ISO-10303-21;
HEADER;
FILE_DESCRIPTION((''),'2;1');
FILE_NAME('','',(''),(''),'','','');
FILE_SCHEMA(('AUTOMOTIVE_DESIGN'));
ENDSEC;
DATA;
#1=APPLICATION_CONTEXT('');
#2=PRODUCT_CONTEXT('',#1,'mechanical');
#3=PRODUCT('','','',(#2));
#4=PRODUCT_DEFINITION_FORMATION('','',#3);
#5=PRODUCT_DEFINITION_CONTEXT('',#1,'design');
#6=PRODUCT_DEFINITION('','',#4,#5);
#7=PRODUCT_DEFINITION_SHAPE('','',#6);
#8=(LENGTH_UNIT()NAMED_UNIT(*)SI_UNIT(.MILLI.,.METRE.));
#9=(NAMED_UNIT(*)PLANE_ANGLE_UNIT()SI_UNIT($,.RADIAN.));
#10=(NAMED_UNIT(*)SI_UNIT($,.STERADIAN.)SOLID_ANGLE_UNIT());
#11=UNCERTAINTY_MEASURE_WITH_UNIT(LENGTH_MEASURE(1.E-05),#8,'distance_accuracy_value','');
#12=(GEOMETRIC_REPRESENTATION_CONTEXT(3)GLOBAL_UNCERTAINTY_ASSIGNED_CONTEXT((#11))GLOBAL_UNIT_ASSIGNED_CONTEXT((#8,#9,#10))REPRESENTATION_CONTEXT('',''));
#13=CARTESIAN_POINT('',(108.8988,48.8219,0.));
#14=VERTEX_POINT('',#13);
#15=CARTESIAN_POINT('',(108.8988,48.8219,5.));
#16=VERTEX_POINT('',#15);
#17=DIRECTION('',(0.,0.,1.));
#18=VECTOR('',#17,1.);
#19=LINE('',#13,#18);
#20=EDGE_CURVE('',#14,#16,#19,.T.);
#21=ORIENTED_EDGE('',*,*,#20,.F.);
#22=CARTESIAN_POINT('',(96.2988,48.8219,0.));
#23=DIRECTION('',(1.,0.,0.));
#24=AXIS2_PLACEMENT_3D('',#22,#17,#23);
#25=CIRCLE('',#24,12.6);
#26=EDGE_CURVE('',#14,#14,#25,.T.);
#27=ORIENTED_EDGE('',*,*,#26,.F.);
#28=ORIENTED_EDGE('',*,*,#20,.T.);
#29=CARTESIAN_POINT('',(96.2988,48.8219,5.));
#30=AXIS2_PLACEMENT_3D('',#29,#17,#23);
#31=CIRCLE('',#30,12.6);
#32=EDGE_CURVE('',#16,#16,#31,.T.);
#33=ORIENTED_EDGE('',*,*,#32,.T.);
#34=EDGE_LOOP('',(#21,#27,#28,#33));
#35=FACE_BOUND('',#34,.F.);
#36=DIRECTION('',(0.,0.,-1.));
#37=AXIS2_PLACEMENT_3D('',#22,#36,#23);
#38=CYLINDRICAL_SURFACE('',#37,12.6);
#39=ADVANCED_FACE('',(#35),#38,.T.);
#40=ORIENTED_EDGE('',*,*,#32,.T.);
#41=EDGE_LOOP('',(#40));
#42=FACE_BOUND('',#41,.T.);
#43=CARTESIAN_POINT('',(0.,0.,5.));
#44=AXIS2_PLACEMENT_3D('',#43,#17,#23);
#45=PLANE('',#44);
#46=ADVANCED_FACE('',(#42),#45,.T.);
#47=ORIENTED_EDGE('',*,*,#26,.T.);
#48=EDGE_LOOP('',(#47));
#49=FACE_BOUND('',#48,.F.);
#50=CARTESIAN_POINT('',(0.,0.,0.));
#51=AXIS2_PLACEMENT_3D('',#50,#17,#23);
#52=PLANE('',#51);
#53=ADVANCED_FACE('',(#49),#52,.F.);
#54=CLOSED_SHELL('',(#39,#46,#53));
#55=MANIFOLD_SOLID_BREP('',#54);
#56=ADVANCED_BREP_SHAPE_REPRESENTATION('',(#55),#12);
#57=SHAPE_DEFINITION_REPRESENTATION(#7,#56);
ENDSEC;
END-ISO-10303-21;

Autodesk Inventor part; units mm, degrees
ref_plane "YZ Plane" through (0, 0, 0) normal (1, 0, 0) x (0, 1, 0)
ref_plane "XZ Plane" through (0, 0, 0) normal (0, 1, 0) x (-1, 0, 0)
ref_plane "XY Plane" through (0, 0, 0) normal (0, 0, 1) x (1, 0, 0)
sketch "Sketch1" plane through (0, 0, 0) normal (0, 0, 1) x (1, 0, 0)
  circle A0 centre (96.2988, 48.8219) radius 12.6
  point P0 (0, 0)
  dimension "d0" = 25.2
extrude "Extrusion1" add sketch "Sketch1" along normal blind 5
sketch "Sketch2" plane through (96.2988, 48.8219, 0) normal (0, 0, -1) x (-1, 0, 0)
  point P0 (96.2988, -48.8219)
properties part number "100_chroma_HQ675_55"
